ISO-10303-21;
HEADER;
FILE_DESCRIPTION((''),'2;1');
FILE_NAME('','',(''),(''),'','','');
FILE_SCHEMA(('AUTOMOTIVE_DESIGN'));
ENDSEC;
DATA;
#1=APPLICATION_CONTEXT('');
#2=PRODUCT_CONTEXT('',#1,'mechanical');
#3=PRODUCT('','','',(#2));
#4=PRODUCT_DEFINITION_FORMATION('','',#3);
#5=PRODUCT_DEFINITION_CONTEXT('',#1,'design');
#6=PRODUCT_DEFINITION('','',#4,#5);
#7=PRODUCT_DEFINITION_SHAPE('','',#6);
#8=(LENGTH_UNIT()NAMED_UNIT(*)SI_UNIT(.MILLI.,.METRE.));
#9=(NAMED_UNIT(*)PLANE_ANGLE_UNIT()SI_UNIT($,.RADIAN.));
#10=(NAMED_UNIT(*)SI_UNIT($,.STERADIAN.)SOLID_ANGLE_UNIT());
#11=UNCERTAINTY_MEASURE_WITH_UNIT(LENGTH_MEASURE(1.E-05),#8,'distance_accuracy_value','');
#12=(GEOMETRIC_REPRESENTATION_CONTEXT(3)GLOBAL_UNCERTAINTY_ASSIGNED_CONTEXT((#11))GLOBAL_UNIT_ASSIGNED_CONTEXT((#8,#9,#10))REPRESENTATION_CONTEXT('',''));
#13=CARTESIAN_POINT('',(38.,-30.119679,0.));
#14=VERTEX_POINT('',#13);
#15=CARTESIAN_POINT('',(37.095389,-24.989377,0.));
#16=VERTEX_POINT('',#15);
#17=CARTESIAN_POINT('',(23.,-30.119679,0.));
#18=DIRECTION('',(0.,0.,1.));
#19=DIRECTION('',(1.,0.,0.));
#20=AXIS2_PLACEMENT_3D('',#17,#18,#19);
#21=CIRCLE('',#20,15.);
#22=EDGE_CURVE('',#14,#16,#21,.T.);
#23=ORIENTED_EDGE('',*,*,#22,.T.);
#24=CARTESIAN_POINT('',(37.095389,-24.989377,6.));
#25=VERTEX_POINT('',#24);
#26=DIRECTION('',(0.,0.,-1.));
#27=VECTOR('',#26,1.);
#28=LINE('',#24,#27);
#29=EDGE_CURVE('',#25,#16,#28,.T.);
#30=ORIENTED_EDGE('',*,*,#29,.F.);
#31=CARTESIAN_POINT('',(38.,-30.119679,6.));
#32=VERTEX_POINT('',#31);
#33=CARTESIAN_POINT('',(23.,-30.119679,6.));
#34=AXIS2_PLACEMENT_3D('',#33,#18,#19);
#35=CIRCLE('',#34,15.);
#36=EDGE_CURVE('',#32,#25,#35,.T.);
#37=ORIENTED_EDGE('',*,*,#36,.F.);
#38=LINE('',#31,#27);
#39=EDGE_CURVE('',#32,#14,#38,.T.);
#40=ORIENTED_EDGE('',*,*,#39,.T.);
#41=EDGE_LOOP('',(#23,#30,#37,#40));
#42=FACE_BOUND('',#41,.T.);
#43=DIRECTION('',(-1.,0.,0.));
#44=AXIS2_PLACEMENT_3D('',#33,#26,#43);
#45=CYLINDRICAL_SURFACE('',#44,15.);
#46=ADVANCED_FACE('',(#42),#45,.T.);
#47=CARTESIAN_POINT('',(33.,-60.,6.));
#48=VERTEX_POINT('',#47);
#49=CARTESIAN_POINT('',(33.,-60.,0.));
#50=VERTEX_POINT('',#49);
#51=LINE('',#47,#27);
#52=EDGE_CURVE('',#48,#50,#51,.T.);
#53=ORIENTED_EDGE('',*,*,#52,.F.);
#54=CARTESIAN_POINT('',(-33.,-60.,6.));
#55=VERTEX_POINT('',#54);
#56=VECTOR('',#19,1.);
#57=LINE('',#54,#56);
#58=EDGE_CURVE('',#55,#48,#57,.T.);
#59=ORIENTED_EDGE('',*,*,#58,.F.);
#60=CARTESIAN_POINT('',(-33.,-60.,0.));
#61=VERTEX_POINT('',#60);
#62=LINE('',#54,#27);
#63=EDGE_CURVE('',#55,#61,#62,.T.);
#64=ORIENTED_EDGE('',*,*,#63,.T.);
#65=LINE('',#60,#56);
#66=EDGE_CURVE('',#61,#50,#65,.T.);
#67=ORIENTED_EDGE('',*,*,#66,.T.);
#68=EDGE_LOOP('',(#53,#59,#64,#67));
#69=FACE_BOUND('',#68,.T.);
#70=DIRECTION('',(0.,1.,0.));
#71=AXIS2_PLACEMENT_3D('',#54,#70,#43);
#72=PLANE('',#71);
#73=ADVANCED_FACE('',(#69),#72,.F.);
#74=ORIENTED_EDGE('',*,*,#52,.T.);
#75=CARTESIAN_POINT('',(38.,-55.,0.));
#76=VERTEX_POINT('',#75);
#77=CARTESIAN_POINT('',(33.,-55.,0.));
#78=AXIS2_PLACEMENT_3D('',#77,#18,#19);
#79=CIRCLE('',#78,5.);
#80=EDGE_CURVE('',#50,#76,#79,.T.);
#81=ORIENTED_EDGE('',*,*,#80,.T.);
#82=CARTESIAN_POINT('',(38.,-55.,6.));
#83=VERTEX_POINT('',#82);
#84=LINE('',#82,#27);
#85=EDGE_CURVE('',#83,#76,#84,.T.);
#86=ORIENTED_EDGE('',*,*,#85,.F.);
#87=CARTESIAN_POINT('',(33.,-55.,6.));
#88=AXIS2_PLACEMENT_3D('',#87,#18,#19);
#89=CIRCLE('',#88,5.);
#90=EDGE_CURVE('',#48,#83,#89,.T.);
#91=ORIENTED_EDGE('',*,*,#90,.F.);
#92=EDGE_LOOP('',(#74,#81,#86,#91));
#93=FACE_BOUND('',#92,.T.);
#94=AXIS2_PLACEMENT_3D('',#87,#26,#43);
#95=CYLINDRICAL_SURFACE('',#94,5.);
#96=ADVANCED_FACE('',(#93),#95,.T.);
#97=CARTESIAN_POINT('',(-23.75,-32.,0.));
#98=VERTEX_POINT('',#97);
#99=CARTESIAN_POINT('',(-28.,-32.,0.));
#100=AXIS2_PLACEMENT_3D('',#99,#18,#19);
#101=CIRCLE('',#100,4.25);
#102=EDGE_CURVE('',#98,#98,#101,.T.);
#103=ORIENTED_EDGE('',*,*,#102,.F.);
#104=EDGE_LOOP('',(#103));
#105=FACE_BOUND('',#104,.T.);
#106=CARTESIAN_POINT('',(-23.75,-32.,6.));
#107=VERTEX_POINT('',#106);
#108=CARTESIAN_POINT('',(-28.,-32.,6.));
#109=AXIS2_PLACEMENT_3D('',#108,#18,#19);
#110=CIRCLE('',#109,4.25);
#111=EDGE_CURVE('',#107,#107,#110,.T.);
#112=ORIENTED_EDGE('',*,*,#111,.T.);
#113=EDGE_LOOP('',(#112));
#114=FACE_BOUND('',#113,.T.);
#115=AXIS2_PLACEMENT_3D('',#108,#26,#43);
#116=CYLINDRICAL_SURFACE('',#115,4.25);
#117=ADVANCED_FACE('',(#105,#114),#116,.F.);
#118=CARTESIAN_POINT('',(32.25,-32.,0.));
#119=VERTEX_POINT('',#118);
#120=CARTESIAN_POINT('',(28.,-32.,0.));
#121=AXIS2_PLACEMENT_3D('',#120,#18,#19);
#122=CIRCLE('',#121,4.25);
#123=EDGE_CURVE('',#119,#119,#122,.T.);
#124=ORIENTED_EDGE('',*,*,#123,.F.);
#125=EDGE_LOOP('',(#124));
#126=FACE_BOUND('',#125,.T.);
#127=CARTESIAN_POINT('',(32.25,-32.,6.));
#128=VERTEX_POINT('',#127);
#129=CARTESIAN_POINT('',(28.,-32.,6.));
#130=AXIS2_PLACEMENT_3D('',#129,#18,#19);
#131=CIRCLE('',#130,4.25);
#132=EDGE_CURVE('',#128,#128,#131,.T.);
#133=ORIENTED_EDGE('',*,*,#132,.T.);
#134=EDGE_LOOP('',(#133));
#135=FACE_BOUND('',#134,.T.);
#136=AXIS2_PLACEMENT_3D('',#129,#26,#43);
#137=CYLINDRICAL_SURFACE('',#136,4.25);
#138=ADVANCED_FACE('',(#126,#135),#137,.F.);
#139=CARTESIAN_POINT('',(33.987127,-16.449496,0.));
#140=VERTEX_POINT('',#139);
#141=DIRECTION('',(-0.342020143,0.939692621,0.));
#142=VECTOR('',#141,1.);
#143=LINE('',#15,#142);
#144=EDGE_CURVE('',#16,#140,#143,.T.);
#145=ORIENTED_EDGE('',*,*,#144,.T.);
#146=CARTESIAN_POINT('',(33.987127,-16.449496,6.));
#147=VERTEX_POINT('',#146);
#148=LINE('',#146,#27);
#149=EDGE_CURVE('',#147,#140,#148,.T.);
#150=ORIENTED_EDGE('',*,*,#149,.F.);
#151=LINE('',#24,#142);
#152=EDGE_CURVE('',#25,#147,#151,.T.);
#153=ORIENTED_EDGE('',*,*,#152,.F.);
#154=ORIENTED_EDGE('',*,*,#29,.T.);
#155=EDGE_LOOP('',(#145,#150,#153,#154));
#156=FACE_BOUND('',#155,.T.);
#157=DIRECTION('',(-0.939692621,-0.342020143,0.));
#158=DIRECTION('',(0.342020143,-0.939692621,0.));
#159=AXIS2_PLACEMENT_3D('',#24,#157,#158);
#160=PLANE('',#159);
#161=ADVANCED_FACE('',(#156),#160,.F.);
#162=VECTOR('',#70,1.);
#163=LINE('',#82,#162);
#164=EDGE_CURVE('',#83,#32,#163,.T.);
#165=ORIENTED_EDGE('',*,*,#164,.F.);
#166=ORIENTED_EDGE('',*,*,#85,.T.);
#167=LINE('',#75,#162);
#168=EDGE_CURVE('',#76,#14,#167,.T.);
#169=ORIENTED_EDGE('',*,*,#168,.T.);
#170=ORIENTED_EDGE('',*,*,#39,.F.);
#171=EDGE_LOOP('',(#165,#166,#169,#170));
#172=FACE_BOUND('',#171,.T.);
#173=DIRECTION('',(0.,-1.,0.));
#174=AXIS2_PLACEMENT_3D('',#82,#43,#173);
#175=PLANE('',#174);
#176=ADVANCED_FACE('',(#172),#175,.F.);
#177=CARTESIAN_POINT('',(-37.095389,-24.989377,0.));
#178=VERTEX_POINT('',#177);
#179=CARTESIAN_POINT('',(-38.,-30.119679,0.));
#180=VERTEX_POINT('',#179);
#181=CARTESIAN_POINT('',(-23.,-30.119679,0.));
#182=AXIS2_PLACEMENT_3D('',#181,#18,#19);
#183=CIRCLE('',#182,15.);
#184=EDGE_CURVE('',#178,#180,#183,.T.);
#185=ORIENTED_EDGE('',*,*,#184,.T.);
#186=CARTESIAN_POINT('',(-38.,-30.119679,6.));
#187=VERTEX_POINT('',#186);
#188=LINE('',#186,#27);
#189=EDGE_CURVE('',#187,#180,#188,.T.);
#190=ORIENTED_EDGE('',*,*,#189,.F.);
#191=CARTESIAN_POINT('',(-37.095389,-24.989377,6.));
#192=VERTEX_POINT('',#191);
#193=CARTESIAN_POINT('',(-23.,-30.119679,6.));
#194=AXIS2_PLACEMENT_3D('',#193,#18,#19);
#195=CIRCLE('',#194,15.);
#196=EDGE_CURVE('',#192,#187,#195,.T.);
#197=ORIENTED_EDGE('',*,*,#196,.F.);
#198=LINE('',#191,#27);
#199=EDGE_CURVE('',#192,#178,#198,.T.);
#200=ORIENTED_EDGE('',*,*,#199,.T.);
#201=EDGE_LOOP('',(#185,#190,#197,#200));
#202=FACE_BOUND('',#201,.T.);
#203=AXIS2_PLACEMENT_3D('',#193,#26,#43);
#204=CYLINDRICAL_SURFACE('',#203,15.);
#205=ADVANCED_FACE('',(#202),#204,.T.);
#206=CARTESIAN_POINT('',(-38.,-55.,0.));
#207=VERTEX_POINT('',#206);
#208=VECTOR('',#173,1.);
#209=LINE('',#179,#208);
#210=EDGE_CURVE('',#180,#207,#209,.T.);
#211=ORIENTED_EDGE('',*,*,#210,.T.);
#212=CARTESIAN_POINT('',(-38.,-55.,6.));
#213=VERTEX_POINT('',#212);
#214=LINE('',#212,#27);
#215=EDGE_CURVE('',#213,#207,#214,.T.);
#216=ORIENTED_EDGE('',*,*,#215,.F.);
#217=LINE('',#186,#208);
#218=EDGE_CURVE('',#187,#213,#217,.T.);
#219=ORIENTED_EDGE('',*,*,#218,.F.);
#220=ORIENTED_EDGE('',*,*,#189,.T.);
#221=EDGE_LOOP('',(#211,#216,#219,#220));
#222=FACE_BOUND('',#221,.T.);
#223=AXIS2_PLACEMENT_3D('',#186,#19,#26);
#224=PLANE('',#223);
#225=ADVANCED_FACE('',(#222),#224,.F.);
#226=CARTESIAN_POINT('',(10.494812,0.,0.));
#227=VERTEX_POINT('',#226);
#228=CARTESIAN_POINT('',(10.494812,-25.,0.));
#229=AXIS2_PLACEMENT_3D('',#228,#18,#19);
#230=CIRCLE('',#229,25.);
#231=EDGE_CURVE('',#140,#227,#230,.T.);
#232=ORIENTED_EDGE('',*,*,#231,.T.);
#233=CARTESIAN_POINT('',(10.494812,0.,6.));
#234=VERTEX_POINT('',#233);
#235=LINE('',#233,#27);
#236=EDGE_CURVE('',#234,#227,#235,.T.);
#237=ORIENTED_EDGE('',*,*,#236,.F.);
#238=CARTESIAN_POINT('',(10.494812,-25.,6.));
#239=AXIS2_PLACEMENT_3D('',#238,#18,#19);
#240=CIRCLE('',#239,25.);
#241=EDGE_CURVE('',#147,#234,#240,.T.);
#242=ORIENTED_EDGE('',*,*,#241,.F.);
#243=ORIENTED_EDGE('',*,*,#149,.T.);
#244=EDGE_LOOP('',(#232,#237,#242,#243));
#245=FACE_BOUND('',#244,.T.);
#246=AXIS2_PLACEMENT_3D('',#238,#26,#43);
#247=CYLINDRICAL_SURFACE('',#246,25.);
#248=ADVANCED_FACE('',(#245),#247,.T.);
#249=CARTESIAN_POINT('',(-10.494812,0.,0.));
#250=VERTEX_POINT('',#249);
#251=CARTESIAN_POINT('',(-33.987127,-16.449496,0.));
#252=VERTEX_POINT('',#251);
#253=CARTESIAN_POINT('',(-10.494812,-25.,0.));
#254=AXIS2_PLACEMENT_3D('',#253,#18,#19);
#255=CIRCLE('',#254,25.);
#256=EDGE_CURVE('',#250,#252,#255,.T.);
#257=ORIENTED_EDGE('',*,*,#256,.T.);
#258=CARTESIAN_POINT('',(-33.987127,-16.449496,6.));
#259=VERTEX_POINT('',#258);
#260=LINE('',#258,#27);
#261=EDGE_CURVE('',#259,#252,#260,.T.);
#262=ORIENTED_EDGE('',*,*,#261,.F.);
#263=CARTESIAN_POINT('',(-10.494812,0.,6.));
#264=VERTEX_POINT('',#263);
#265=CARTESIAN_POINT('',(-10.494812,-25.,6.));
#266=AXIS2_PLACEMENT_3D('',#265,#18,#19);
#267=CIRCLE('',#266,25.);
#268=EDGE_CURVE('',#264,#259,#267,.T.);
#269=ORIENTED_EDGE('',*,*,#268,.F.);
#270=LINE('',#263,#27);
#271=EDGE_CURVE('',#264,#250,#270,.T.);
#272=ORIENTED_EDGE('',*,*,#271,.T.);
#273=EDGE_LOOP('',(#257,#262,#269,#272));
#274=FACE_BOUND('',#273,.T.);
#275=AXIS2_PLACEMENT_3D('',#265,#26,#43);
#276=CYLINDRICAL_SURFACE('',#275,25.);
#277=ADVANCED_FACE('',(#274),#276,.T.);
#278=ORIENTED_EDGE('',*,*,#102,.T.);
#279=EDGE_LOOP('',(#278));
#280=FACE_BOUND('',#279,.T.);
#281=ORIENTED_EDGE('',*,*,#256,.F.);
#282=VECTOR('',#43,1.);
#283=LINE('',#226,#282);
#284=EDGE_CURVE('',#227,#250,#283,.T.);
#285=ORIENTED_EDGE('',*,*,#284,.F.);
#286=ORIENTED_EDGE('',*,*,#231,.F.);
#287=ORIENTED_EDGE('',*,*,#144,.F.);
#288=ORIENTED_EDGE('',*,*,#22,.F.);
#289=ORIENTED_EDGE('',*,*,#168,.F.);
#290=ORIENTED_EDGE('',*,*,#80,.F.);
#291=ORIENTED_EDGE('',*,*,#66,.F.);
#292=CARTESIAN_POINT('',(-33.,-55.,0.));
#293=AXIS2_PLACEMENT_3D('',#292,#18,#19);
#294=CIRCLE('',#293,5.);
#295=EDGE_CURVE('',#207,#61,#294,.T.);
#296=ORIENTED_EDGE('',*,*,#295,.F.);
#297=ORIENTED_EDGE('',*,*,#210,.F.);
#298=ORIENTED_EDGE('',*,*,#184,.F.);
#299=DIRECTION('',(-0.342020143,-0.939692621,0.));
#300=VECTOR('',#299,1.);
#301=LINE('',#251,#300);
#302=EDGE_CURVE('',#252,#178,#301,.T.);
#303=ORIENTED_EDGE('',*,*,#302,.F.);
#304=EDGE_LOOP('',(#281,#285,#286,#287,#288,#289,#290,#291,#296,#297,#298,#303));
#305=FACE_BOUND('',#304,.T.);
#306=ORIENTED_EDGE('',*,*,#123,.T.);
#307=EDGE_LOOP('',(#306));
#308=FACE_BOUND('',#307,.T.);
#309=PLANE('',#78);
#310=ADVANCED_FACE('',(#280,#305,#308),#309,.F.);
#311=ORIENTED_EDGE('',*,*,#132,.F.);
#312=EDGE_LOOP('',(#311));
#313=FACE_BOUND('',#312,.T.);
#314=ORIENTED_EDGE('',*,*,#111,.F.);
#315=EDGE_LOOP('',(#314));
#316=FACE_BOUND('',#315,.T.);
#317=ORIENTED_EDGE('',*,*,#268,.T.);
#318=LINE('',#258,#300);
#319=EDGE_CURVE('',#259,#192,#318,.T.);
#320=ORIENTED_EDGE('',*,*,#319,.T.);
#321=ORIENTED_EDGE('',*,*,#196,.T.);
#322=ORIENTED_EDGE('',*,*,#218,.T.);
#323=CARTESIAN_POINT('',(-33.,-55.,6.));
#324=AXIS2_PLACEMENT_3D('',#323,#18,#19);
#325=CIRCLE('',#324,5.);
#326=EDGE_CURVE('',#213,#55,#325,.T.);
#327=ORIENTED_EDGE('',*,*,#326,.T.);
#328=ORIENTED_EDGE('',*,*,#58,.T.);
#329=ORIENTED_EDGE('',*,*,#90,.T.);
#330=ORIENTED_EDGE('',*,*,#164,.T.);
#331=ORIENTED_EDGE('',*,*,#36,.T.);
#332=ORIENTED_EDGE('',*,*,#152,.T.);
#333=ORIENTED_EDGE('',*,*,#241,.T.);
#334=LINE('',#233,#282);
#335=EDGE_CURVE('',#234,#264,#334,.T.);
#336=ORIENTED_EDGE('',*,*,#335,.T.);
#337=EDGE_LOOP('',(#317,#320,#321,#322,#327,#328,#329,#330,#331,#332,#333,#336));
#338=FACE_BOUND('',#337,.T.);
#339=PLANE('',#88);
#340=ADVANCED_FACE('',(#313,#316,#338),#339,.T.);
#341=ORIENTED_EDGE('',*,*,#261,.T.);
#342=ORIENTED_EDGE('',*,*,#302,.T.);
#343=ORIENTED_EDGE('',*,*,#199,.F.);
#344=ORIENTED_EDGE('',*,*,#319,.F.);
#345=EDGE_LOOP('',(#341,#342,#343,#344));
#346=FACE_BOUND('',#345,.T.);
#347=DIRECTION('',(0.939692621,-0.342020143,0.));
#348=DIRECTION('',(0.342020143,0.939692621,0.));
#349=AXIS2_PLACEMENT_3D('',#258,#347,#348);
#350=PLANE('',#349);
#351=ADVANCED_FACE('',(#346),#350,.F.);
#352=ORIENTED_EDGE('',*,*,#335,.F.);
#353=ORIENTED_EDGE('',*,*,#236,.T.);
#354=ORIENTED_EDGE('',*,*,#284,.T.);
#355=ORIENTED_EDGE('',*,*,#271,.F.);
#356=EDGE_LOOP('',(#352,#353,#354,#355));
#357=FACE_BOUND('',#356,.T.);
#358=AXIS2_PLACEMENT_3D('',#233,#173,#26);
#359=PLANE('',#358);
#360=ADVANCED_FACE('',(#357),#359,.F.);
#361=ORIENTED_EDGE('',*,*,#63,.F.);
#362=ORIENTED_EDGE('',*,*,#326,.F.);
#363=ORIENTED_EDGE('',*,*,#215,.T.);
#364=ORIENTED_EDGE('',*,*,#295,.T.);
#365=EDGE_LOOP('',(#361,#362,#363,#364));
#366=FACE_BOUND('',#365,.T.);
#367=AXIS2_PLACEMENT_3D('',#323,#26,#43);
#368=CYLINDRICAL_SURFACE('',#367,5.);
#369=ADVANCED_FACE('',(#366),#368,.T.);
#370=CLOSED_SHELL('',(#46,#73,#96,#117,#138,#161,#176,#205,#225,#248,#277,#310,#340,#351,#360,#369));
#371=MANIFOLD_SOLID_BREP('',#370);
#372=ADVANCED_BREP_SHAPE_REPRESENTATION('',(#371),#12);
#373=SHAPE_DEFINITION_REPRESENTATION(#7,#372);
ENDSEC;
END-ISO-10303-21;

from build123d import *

# Parameters (mm, degrees)
SKETCH1_R      = 4.25
EXTRUDE1_DEPTH = 6


with BuildPart() as part:
    # Sketch1 → Extrude1 (new body)
    with BuildSketch(Plane.XY):
        with BuildLine():
            Line((38, -55), (38, -30.119678905))
            ThreePointArc((38, -30.119678905), (37.772116295, -27.51495624), (37.095389312, -24.989376755))
            Line((37.095389312, -24.989376755), (33.987127064, -16.449496417))
            ThreePointArc((33.987127064, -16.449496417), (24.834222454, -4.521198893), (10.494811545, 0))
            Line((10.494811545, 0), (-10.494811545, 0))
            ThreePointArc((-10.494811545, 0), (-24.834222454, -4.521198893), (-33.987127064, -16.449496417))
            Line((-33.987127064, -16.449496417), (-37.095389312, -24.989376755))
            ThreePointArc((-37.095389312, -24.989376755), (-37.772116295, -27.51495624), (-38, -30.119678905))
            Line((-38, -30.119678905), (-38, -55))
            ThreePointArc((-38, -55), (-36.535533906, -58.535533906), (-33, -60))
            Line((-33, -60), (33, -60))
            ThreePointArc((33, -60), (36.535533906, -58.535533906), (38, -55))
        make_face()
        with Locations((-28, -32)):
            Circle(SKETCH1_R, mode=Mode.SUBTRACT)
        with Locations((28, -32)):
            Circle(SKETCH1_R, mode=Mode.SUBTRACT)
    extrude(amount=EXTRUDE1_DEPTH)


solid = part.part
